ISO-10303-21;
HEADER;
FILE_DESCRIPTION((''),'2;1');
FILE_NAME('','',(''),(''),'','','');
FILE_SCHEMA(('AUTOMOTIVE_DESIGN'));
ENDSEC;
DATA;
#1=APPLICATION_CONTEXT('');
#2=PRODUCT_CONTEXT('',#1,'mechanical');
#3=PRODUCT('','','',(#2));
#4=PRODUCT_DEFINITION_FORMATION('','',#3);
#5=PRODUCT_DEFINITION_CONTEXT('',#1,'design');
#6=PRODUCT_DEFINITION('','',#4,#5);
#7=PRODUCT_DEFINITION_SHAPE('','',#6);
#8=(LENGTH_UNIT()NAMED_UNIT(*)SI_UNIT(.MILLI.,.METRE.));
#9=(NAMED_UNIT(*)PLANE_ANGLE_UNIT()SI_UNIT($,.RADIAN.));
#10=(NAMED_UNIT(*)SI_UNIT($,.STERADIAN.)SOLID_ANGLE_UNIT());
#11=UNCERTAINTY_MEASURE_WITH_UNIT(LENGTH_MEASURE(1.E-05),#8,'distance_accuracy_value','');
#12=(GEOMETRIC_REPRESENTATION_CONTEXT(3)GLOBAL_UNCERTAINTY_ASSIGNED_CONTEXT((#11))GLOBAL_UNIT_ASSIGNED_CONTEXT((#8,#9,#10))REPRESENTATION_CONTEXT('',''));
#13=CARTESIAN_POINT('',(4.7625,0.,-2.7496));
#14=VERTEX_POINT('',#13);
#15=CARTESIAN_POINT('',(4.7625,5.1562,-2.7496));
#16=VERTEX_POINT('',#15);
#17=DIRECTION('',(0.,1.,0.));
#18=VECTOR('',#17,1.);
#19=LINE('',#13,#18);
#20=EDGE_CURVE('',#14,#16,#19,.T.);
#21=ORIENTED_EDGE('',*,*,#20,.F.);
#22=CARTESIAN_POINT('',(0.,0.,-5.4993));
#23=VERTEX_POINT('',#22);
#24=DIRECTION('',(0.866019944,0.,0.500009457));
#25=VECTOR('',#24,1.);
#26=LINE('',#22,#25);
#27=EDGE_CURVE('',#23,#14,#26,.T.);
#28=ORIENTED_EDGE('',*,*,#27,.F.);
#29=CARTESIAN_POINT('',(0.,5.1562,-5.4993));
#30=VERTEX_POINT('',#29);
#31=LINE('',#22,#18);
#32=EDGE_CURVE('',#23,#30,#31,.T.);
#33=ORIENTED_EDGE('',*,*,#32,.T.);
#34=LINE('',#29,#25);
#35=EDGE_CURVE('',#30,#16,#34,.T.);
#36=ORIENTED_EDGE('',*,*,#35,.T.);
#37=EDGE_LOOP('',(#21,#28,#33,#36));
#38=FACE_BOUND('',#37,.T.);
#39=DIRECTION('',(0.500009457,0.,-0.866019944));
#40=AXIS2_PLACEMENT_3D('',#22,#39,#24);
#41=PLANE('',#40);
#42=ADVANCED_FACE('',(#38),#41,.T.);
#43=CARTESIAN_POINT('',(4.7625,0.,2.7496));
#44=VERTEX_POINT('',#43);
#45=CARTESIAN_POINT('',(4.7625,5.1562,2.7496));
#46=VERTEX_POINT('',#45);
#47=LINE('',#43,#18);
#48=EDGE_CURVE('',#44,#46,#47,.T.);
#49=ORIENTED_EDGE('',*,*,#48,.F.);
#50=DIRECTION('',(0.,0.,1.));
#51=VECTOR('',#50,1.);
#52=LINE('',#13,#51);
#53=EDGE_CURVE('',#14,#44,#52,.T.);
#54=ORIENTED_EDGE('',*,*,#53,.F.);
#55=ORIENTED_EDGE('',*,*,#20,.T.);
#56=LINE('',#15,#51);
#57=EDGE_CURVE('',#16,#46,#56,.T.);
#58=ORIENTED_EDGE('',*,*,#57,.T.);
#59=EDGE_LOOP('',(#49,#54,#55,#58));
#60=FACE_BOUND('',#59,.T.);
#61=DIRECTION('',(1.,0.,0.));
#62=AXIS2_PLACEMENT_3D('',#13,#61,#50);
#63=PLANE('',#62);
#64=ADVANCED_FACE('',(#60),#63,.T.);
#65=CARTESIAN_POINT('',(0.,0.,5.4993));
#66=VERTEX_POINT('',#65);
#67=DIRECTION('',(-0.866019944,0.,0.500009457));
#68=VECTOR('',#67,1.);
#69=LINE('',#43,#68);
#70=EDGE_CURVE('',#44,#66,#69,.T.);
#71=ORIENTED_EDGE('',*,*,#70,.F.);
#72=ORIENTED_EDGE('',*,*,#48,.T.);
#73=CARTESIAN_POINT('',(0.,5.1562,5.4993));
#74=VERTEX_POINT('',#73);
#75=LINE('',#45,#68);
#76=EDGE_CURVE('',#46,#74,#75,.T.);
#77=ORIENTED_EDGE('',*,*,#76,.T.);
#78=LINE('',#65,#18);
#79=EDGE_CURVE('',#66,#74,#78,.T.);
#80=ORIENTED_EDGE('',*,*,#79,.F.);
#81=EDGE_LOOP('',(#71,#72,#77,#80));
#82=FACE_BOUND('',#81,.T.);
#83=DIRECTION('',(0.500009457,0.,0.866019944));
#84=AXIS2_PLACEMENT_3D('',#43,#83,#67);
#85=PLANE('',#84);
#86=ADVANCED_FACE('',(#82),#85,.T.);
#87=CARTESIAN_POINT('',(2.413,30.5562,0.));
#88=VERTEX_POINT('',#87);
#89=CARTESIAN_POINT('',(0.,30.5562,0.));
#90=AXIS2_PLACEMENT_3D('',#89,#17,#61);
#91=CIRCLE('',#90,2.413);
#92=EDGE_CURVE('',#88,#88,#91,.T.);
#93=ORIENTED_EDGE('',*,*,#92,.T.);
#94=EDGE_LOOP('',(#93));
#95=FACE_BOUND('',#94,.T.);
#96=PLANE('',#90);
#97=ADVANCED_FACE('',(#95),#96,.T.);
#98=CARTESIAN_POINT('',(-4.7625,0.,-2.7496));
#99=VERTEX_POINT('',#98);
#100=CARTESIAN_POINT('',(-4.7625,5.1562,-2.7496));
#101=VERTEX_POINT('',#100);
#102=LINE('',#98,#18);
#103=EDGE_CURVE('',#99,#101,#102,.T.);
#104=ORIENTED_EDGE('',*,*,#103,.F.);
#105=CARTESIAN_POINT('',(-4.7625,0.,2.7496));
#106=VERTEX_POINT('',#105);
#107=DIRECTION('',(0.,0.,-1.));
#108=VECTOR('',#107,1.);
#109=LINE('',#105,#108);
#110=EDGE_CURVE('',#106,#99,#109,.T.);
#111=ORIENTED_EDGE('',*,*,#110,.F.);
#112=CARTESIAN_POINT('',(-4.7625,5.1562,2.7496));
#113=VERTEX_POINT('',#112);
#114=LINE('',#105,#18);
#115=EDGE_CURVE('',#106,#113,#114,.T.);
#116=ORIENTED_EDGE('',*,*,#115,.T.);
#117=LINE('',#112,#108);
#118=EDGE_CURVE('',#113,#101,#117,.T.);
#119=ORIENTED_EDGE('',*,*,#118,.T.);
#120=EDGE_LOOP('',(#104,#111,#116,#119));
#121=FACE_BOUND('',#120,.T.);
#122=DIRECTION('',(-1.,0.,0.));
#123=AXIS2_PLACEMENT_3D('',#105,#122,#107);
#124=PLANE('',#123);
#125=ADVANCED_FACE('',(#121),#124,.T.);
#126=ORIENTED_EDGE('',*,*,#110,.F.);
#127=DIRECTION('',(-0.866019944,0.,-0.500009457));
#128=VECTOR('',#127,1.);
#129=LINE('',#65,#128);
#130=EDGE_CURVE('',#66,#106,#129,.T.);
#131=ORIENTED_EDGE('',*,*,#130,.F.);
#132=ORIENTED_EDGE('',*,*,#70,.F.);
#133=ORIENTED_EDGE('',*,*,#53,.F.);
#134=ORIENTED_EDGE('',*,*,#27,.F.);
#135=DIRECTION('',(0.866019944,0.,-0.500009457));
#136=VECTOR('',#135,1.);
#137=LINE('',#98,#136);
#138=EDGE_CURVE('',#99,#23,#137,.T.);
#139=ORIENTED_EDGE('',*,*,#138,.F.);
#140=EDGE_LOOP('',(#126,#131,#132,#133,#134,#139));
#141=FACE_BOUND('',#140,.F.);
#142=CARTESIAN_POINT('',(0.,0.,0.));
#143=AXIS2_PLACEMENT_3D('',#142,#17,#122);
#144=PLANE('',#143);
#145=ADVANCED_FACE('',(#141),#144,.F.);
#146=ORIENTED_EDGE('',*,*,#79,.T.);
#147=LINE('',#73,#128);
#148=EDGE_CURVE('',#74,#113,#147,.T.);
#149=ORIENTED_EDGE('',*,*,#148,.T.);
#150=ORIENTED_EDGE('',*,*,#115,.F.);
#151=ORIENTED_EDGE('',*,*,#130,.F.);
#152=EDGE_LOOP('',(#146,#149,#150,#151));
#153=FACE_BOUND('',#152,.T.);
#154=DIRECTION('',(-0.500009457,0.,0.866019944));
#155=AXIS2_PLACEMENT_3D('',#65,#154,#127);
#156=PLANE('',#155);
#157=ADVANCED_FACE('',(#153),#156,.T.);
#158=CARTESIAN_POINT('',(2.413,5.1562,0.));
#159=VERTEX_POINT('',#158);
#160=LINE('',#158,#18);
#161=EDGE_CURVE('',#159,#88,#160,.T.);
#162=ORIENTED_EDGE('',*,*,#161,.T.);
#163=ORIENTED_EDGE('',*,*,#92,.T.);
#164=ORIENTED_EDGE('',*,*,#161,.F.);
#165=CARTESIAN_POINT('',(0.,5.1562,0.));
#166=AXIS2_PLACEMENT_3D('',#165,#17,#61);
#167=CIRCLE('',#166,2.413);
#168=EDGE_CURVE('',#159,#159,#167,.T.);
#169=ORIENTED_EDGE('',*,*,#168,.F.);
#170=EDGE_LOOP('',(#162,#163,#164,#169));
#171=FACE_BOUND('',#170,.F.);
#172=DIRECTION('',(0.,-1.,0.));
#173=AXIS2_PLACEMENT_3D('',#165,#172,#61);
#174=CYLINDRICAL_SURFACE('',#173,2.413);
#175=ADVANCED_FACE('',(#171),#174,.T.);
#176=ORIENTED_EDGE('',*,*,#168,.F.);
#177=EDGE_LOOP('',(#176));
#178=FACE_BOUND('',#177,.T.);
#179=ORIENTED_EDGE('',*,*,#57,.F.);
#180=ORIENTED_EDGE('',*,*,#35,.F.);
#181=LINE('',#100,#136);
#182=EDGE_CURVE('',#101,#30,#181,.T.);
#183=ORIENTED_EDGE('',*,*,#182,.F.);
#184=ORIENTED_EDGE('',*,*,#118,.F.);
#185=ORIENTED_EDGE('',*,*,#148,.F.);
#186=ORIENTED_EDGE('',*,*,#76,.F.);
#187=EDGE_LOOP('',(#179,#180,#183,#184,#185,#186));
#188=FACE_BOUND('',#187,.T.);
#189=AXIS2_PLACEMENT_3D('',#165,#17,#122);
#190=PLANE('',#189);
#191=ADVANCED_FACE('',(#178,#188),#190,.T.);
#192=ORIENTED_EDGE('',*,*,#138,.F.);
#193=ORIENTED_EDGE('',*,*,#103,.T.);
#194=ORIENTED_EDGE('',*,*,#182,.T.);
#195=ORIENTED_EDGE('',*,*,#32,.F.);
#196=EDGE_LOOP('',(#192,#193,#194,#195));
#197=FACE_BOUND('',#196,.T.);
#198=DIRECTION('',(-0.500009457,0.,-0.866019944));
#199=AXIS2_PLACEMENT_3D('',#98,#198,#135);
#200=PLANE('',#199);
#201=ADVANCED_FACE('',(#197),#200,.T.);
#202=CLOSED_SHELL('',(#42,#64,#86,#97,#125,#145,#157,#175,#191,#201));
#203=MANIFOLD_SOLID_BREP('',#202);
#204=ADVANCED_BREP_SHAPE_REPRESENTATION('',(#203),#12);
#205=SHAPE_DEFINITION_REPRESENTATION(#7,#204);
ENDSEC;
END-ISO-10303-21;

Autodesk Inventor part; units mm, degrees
ref_plane "YZ Plane" through (0, 0, 0) normal (1, 0, 0) x (0, 1, 0)
ref_plane "XZ Plane" through (0, 0, 0) normal (0, 1, 0) x (-1, 0, 0)
ref_plane "XY Plane" through (0, 0, 0) normal (0, 0, 1) x (1, 0, 0)
sketch "Sketch1" plane through (0, 0, 0) normal (0, 1, 0) x (-1, 0, 0)
  line L0 (4.7625, -2.7496) -> (0, -5.4993)
  line L1 (0, -5.4993) -> (-4.7625, -2.7496)
  line L2 (-4.7625, -2.7496) -> (-4.7625, 2.7496)
  line L3 (-4.7625, 2.7496) -> (0, 5.4993)
  line L4 (0, 5.4993) -> (4.7625, 2.7496)
  line L5 (4.7625, 2.7496) -> (4.7625, -2.7496)
  point P0 (0, 0)
  point P1 (0, 0)
  dimension "d0" = 9.525
extrude "Extrusion1" add sketch "Sketch1" along normal blind 5.1562
sketch "Sketch2" plane through (0, 5.1562, 0) normal (0, 1, 0) x (1, 0, 0)
  circle A0 centre (0, 0) radius 2.413
  dimension "d3" = 4.826
extrude "Extrusion2" add sketch "Sketch2" along normal blind 25.4
properties part number "10-32 bolt"
